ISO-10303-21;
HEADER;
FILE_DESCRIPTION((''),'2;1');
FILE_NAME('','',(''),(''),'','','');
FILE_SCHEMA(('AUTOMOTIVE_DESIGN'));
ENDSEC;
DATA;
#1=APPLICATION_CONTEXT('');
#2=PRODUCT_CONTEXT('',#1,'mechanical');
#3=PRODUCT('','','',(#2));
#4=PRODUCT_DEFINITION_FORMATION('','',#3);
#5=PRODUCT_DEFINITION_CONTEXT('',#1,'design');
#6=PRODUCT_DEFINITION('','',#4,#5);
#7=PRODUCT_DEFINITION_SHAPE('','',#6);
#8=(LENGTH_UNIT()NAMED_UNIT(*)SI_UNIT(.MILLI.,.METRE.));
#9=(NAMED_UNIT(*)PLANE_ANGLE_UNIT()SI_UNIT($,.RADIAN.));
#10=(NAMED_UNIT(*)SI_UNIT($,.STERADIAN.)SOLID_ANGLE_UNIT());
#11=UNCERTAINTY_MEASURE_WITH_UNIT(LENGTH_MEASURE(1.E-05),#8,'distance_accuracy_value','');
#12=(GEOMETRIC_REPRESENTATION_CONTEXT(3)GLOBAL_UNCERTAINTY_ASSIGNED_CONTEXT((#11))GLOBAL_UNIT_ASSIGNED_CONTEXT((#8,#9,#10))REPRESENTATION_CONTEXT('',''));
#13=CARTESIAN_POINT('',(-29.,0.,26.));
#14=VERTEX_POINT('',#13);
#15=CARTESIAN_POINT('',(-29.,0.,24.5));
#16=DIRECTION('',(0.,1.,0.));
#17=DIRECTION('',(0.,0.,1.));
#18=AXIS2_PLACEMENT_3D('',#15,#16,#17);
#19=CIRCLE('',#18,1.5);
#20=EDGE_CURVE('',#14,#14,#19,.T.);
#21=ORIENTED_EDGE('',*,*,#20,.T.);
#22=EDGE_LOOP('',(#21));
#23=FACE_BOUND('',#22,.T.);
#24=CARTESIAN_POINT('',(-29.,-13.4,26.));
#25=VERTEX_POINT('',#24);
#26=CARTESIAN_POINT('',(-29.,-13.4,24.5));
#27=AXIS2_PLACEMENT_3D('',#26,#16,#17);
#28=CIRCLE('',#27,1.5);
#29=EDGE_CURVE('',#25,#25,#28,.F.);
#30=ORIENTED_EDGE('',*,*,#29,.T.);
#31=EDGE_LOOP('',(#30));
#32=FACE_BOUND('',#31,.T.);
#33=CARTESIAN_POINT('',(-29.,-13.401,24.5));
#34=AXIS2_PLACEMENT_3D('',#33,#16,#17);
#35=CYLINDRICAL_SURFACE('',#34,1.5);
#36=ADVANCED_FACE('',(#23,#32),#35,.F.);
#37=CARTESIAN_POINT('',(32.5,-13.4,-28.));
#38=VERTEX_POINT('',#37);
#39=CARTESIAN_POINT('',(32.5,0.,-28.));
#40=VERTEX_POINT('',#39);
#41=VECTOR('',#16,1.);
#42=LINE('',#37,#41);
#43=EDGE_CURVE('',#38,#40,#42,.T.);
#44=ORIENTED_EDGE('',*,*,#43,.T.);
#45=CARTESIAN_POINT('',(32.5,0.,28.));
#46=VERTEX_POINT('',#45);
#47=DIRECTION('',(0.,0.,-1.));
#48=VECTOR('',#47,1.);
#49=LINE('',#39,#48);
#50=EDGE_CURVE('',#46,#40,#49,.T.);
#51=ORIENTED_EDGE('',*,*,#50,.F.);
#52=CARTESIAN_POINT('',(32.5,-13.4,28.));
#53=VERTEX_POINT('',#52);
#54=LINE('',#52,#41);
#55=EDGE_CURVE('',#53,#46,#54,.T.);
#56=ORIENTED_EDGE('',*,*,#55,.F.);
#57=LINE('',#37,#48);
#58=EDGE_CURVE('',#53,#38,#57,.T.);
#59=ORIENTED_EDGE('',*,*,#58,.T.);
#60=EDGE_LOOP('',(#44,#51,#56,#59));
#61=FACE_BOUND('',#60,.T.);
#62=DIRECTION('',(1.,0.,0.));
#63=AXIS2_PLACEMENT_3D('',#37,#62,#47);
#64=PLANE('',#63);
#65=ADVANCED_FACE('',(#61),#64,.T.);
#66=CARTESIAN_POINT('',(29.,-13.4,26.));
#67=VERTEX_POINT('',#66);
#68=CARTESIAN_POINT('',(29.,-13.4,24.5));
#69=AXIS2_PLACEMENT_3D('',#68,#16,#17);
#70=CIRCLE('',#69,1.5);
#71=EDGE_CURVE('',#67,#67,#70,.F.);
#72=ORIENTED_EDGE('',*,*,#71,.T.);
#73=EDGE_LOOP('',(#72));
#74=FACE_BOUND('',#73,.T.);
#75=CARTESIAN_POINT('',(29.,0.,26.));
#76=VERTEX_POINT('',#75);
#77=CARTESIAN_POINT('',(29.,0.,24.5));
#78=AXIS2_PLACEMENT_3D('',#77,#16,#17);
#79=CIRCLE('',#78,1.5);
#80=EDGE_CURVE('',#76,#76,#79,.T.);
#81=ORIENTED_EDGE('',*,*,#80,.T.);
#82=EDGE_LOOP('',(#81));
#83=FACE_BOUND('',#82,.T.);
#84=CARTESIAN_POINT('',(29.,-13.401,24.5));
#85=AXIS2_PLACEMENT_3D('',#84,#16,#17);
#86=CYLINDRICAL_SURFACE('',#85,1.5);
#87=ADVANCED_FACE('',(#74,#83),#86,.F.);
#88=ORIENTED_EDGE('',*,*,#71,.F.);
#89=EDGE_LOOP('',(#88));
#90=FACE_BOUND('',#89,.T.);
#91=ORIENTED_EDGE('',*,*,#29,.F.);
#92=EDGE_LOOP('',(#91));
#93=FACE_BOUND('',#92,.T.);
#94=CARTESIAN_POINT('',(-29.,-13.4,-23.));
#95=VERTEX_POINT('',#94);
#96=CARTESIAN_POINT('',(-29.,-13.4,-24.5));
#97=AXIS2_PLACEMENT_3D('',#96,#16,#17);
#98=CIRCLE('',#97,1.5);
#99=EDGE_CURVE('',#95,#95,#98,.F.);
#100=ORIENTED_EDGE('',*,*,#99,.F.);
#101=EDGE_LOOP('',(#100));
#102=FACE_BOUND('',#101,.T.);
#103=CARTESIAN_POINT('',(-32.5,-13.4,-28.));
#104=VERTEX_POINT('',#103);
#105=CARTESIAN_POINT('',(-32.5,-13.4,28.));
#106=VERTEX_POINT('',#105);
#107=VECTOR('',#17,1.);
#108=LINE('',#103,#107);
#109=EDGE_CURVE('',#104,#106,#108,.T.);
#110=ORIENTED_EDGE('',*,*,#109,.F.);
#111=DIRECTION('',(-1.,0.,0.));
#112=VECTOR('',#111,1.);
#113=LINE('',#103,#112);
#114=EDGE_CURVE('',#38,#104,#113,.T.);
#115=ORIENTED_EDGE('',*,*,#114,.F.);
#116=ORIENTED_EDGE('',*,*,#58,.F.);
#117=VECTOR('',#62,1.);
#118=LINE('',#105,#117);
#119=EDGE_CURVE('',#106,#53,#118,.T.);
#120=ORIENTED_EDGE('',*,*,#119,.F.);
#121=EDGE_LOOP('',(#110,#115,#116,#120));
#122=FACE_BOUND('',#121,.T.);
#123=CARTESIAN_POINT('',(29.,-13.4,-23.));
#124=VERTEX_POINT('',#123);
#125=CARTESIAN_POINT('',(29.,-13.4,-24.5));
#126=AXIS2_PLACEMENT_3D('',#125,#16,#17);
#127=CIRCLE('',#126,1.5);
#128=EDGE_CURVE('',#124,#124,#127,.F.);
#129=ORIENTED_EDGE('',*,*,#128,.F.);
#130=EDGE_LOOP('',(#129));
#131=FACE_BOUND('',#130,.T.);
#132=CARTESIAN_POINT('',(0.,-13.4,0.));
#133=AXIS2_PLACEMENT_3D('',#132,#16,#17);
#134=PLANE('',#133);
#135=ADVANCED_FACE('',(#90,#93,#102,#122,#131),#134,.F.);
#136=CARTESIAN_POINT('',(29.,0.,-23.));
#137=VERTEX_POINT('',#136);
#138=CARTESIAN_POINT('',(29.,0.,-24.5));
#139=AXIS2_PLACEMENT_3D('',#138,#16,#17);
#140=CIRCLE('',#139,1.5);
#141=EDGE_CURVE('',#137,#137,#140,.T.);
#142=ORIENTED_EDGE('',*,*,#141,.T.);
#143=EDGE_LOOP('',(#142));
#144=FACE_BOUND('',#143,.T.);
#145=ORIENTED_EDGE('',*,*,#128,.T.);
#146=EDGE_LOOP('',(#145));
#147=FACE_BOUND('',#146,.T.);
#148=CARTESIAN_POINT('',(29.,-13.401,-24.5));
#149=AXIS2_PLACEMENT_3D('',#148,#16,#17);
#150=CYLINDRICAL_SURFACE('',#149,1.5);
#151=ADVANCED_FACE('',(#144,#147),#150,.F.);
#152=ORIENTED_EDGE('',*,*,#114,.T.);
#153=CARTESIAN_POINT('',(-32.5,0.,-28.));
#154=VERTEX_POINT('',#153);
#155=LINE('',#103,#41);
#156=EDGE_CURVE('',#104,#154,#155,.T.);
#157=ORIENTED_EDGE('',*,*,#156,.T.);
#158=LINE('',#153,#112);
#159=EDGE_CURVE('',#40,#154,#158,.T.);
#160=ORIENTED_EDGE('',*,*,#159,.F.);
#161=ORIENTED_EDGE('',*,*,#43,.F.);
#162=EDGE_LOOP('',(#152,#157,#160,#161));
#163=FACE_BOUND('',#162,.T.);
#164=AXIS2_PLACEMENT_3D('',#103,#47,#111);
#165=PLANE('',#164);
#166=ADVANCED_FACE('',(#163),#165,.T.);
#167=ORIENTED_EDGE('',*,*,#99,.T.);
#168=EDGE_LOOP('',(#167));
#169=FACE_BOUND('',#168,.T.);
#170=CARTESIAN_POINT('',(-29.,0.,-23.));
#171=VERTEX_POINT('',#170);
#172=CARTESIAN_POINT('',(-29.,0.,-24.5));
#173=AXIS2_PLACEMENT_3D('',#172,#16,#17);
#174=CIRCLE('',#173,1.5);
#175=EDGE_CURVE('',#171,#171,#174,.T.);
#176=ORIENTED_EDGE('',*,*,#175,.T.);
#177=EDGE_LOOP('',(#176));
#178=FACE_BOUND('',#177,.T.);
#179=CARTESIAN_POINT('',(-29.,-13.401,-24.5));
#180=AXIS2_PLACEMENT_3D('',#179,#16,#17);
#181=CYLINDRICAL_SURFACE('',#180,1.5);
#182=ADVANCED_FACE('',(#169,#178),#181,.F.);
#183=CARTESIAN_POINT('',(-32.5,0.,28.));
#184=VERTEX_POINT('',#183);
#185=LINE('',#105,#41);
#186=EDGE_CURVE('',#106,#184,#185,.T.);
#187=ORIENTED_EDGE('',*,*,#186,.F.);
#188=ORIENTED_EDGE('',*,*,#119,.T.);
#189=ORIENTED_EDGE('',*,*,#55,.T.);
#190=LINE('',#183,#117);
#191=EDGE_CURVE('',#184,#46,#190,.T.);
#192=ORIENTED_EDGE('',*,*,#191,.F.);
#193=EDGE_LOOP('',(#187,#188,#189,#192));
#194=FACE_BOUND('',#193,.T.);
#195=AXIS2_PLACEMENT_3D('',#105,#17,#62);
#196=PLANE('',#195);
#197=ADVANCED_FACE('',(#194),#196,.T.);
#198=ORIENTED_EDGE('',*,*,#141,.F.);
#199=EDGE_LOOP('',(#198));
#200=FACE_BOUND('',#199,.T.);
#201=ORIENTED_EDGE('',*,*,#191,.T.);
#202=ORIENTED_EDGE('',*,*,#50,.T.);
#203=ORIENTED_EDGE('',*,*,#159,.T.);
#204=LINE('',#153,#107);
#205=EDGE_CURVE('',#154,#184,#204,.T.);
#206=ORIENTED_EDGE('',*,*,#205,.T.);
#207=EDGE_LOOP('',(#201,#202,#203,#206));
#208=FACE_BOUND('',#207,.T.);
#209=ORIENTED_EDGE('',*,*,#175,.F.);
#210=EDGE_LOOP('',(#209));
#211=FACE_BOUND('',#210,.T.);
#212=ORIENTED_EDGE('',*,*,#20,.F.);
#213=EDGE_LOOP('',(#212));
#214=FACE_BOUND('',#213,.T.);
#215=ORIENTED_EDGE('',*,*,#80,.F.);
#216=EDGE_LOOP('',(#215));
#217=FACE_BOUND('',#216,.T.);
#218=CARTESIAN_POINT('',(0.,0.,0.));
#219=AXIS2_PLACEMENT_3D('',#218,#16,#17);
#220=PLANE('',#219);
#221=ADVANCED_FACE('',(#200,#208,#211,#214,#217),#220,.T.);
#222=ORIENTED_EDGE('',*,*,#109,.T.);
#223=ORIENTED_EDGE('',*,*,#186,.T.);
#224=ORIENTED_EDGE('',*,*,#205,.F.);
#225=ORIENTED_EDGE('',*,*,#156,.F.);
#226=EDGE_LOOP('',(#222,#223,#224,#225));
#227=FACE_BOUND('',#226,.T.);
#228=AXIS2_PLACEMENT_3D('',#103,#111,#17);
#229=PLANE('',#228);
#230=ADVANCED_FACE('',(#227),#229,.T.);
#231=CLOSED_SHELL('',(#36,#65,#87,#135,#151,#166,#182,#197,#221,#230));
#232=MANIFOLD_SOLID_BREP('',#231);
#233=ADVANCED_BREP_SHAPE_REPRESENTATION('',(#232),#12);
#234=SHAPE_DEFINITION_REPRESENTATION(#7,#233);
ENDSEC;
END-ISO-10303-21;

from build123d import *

# Parameters (mm, degrees)
SKETCH1_W           = 65
SKETCH1_H           = 56
BOSS_EXTRUDE1_DEPTH = 13.4
CUT_EXTRUDE1_REACH  = 46.942
SKETCH2_R           = 1.5


with BuildPart() as part:
    # Sketch1 → Boss-Extrude1 (new body)
    with BuildSketch(Plane(origin=(0, 0, 0), x_dir=(1, 0, 0), z_dir=(0, 1, 0))):
        Rectangle(SKETCH1_W, SKETCH1_H)
    extrude(amount=-BOSS_EXTRUDE1_DEPTH)

    # Sketch2 → Cut-Extrude1 (cut, up to next)
    with BuildSketch(Plane(origin=(0, 0, 0), x_dir=(1, 0, 0), z_dir=(0, 1, 0)), mode=Mode.PRIVATE) as cut_extrude1_sk1:
        with Locations(Location((29, 24.5, 0), (0, 0, 270))):
            Circle(SKETCH2_R)
    cut_extrude1_tool1 = extrude(cut_extrude1_sk1.sketch, amount=-CUT_EXTRUDE1_REACH, mode=Mode.PRIVATE) & part.part
    # Sketch2 → Cut-Extrude1 (cut, up to next)
    with BuildSketch(Plane(origin=(0, 0, 0), x_dir=(1, 0, 0), z_dir=(0, 1, 0)), mode=Mode.PRIVATE) as cut_extrude1_sk2:
        with Locations(Location((29, -24.5, 0), (0, 0, 270))):
            Circle(SKETCH2_R)
    cut_extrude1_tool2 = extrude(cut_extrude1_sk2.sketch, amount=-CUT_EXTRUDE1_REACH, mode=Mode.PRIVATE) & part.part
    # Sketch2 → Cut-Extrude1 (cut, up to next)
    with BuildSketch(Plane(origin=(0, 0, 0), x_dir=(1, 0, 0), z_dir=(0, 1, 0)), mode=Mode.PRIVATE) as cut_extrude1_sk3:
        with Locations(Location((-29, -24.5, 0), (0, 0, 270))):
            Circle(SKETCH2_R)
    cut_extrude1_tool3 = extrude(cut_extrude1_sk3.sketch, amount=-CUT_EXTRUDE1_REACH, mode=Mode.PRIVATE) & part.part
    # Sketch2 → Cut-Extrude1 (cut, up to next)
    with BuildSketch(Plane(origin=(0, 0, 0), x_dir=(1, 0, 0), z_dir=(0, 1, 0)), mode=Mode.PRIVATE) as cut_extrude1_sk4:
        with Locations(Location((-29, 24.5, 0), (0, 0, 270))):
            Circle(SKETCH2_R)
    cut_extrude1_tool4 = extrude(cut_extrude1_sk4.sketch, amount=-CUT_EXTRUDE1_REACH, mode=Mode.PRIVATE) & part.part
    add(cut_extrude1_tool1.solids().sort_by_distance((29, 0, -24.5))[0], mode=Mode.SUBTRACT)
    add(cut_extrude1_tool2.solids().sort_by_distance((29, 0, 24.5))[0], mode=Mode.SUBTRACT)
    add(cut_extrude1_tool3.solids().sort_by_distance((-29, 0, 24.5))[0], mode=Mode.SUBTRACT)
    add(cut_extrude1_tool4.solids().sort_by_distance((-29, 0, -24.5))[0], mode=Mode.SUBTRACT)


solid = part.part
